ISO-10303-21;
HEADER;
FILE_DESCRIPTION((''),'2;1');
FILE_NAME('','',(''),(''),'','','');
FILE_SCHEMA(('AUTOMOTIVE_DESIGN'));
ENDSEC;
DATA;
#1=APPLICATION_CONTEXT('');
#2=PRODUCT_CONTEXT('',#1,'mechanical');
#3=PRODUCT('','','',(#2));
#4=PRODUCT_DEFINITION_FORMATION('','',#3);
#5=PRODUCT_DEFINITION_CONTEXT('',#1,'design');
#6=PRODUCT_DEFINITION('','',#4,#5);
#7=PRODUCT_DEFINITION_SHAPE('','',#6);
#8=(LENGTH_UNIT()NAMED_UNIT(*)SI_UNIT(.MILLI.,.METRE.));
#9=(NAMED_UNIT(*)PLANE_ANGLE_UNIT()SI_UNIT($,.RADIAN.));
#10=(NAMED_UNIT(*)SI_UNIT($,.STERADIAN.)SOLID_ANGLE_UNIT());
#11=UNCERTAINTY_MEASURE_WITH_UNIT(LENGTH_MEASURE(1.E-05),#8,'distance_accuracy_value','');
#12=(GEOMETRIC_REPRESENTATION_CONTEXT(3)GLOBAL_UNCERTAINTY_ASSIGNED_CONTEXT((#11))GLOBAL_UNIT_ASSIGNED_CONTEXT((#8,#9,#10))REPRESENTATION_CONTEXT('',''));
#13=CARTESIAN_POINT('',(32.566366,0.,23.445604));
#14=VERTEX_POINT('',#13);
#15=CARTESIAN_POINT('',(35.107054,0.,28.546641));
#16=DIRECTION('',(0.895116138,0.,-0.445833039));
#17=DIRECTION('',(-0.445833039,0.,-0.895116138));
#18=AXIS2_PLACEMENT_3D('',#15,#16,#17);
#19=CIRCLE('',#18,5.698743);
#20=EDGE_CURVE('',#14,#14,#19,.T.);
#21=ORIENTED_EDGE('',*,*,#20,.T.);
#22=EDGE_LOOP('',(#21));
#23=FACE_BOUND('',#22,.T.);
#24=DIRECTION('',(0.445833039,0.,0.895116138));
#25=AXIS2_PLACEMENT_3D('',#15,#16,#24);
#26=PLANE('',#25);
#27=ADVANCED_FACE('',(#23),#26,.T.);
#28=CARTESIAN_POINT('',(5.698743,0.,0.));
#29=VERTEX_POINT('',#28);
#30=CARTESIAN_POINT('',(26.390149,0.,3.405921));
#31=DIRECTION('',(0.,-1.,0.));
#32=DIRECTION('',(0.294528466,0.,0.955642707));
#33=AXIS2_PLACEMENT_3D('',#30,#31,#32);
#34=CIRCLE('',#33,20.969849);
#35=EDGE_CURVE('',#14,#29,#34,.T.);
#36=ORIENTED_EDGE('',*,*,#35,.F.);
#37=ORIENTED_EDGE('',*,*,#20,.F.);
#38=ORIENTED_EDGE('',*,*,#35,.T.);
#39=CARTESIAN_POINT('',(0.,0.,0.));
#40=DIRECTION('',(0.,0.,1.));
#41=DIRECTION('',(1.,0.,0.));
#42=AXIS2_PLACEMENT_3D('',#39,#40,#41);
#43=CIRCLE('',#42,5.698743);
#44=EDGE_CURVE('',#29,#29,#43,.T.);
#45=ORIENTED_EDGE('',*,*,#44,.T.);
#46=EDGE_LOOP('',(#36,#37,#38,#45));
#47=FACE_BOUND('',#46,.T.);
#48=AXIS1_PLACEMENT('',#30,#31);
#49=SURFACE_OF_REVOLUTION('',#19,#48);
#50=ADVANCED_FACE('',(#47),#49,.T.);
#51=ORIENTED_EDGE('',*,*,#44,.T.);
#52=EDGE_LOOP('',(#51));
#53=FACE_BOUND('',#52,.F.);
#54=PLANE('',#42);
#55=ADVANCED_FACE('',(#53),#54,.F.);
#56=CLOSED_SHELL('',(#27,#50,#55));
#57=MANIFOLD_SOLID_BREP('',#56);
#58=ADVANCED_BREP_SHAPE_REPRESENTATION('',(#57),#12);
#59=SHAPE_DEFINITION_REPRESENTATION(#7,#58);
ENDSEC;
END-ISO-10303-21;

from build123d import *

# Parameters (mm, degrees)
F0_R = 5.698743


with BuildPart() as f2:
    # F2: sweep along a path in F1
    with BuildLine(Plane.XZ) as f2_path:
        ThreePointArc((35.107054, 28.546641), (9.602845, 24.051179), (0, 0))
    # F0 (on Top) → F2 (sweep)
    with BuildSketch(Plane.XY):
        Circle(F0_R)
    sweep(path=f2_path.line)


solid = f2.part
